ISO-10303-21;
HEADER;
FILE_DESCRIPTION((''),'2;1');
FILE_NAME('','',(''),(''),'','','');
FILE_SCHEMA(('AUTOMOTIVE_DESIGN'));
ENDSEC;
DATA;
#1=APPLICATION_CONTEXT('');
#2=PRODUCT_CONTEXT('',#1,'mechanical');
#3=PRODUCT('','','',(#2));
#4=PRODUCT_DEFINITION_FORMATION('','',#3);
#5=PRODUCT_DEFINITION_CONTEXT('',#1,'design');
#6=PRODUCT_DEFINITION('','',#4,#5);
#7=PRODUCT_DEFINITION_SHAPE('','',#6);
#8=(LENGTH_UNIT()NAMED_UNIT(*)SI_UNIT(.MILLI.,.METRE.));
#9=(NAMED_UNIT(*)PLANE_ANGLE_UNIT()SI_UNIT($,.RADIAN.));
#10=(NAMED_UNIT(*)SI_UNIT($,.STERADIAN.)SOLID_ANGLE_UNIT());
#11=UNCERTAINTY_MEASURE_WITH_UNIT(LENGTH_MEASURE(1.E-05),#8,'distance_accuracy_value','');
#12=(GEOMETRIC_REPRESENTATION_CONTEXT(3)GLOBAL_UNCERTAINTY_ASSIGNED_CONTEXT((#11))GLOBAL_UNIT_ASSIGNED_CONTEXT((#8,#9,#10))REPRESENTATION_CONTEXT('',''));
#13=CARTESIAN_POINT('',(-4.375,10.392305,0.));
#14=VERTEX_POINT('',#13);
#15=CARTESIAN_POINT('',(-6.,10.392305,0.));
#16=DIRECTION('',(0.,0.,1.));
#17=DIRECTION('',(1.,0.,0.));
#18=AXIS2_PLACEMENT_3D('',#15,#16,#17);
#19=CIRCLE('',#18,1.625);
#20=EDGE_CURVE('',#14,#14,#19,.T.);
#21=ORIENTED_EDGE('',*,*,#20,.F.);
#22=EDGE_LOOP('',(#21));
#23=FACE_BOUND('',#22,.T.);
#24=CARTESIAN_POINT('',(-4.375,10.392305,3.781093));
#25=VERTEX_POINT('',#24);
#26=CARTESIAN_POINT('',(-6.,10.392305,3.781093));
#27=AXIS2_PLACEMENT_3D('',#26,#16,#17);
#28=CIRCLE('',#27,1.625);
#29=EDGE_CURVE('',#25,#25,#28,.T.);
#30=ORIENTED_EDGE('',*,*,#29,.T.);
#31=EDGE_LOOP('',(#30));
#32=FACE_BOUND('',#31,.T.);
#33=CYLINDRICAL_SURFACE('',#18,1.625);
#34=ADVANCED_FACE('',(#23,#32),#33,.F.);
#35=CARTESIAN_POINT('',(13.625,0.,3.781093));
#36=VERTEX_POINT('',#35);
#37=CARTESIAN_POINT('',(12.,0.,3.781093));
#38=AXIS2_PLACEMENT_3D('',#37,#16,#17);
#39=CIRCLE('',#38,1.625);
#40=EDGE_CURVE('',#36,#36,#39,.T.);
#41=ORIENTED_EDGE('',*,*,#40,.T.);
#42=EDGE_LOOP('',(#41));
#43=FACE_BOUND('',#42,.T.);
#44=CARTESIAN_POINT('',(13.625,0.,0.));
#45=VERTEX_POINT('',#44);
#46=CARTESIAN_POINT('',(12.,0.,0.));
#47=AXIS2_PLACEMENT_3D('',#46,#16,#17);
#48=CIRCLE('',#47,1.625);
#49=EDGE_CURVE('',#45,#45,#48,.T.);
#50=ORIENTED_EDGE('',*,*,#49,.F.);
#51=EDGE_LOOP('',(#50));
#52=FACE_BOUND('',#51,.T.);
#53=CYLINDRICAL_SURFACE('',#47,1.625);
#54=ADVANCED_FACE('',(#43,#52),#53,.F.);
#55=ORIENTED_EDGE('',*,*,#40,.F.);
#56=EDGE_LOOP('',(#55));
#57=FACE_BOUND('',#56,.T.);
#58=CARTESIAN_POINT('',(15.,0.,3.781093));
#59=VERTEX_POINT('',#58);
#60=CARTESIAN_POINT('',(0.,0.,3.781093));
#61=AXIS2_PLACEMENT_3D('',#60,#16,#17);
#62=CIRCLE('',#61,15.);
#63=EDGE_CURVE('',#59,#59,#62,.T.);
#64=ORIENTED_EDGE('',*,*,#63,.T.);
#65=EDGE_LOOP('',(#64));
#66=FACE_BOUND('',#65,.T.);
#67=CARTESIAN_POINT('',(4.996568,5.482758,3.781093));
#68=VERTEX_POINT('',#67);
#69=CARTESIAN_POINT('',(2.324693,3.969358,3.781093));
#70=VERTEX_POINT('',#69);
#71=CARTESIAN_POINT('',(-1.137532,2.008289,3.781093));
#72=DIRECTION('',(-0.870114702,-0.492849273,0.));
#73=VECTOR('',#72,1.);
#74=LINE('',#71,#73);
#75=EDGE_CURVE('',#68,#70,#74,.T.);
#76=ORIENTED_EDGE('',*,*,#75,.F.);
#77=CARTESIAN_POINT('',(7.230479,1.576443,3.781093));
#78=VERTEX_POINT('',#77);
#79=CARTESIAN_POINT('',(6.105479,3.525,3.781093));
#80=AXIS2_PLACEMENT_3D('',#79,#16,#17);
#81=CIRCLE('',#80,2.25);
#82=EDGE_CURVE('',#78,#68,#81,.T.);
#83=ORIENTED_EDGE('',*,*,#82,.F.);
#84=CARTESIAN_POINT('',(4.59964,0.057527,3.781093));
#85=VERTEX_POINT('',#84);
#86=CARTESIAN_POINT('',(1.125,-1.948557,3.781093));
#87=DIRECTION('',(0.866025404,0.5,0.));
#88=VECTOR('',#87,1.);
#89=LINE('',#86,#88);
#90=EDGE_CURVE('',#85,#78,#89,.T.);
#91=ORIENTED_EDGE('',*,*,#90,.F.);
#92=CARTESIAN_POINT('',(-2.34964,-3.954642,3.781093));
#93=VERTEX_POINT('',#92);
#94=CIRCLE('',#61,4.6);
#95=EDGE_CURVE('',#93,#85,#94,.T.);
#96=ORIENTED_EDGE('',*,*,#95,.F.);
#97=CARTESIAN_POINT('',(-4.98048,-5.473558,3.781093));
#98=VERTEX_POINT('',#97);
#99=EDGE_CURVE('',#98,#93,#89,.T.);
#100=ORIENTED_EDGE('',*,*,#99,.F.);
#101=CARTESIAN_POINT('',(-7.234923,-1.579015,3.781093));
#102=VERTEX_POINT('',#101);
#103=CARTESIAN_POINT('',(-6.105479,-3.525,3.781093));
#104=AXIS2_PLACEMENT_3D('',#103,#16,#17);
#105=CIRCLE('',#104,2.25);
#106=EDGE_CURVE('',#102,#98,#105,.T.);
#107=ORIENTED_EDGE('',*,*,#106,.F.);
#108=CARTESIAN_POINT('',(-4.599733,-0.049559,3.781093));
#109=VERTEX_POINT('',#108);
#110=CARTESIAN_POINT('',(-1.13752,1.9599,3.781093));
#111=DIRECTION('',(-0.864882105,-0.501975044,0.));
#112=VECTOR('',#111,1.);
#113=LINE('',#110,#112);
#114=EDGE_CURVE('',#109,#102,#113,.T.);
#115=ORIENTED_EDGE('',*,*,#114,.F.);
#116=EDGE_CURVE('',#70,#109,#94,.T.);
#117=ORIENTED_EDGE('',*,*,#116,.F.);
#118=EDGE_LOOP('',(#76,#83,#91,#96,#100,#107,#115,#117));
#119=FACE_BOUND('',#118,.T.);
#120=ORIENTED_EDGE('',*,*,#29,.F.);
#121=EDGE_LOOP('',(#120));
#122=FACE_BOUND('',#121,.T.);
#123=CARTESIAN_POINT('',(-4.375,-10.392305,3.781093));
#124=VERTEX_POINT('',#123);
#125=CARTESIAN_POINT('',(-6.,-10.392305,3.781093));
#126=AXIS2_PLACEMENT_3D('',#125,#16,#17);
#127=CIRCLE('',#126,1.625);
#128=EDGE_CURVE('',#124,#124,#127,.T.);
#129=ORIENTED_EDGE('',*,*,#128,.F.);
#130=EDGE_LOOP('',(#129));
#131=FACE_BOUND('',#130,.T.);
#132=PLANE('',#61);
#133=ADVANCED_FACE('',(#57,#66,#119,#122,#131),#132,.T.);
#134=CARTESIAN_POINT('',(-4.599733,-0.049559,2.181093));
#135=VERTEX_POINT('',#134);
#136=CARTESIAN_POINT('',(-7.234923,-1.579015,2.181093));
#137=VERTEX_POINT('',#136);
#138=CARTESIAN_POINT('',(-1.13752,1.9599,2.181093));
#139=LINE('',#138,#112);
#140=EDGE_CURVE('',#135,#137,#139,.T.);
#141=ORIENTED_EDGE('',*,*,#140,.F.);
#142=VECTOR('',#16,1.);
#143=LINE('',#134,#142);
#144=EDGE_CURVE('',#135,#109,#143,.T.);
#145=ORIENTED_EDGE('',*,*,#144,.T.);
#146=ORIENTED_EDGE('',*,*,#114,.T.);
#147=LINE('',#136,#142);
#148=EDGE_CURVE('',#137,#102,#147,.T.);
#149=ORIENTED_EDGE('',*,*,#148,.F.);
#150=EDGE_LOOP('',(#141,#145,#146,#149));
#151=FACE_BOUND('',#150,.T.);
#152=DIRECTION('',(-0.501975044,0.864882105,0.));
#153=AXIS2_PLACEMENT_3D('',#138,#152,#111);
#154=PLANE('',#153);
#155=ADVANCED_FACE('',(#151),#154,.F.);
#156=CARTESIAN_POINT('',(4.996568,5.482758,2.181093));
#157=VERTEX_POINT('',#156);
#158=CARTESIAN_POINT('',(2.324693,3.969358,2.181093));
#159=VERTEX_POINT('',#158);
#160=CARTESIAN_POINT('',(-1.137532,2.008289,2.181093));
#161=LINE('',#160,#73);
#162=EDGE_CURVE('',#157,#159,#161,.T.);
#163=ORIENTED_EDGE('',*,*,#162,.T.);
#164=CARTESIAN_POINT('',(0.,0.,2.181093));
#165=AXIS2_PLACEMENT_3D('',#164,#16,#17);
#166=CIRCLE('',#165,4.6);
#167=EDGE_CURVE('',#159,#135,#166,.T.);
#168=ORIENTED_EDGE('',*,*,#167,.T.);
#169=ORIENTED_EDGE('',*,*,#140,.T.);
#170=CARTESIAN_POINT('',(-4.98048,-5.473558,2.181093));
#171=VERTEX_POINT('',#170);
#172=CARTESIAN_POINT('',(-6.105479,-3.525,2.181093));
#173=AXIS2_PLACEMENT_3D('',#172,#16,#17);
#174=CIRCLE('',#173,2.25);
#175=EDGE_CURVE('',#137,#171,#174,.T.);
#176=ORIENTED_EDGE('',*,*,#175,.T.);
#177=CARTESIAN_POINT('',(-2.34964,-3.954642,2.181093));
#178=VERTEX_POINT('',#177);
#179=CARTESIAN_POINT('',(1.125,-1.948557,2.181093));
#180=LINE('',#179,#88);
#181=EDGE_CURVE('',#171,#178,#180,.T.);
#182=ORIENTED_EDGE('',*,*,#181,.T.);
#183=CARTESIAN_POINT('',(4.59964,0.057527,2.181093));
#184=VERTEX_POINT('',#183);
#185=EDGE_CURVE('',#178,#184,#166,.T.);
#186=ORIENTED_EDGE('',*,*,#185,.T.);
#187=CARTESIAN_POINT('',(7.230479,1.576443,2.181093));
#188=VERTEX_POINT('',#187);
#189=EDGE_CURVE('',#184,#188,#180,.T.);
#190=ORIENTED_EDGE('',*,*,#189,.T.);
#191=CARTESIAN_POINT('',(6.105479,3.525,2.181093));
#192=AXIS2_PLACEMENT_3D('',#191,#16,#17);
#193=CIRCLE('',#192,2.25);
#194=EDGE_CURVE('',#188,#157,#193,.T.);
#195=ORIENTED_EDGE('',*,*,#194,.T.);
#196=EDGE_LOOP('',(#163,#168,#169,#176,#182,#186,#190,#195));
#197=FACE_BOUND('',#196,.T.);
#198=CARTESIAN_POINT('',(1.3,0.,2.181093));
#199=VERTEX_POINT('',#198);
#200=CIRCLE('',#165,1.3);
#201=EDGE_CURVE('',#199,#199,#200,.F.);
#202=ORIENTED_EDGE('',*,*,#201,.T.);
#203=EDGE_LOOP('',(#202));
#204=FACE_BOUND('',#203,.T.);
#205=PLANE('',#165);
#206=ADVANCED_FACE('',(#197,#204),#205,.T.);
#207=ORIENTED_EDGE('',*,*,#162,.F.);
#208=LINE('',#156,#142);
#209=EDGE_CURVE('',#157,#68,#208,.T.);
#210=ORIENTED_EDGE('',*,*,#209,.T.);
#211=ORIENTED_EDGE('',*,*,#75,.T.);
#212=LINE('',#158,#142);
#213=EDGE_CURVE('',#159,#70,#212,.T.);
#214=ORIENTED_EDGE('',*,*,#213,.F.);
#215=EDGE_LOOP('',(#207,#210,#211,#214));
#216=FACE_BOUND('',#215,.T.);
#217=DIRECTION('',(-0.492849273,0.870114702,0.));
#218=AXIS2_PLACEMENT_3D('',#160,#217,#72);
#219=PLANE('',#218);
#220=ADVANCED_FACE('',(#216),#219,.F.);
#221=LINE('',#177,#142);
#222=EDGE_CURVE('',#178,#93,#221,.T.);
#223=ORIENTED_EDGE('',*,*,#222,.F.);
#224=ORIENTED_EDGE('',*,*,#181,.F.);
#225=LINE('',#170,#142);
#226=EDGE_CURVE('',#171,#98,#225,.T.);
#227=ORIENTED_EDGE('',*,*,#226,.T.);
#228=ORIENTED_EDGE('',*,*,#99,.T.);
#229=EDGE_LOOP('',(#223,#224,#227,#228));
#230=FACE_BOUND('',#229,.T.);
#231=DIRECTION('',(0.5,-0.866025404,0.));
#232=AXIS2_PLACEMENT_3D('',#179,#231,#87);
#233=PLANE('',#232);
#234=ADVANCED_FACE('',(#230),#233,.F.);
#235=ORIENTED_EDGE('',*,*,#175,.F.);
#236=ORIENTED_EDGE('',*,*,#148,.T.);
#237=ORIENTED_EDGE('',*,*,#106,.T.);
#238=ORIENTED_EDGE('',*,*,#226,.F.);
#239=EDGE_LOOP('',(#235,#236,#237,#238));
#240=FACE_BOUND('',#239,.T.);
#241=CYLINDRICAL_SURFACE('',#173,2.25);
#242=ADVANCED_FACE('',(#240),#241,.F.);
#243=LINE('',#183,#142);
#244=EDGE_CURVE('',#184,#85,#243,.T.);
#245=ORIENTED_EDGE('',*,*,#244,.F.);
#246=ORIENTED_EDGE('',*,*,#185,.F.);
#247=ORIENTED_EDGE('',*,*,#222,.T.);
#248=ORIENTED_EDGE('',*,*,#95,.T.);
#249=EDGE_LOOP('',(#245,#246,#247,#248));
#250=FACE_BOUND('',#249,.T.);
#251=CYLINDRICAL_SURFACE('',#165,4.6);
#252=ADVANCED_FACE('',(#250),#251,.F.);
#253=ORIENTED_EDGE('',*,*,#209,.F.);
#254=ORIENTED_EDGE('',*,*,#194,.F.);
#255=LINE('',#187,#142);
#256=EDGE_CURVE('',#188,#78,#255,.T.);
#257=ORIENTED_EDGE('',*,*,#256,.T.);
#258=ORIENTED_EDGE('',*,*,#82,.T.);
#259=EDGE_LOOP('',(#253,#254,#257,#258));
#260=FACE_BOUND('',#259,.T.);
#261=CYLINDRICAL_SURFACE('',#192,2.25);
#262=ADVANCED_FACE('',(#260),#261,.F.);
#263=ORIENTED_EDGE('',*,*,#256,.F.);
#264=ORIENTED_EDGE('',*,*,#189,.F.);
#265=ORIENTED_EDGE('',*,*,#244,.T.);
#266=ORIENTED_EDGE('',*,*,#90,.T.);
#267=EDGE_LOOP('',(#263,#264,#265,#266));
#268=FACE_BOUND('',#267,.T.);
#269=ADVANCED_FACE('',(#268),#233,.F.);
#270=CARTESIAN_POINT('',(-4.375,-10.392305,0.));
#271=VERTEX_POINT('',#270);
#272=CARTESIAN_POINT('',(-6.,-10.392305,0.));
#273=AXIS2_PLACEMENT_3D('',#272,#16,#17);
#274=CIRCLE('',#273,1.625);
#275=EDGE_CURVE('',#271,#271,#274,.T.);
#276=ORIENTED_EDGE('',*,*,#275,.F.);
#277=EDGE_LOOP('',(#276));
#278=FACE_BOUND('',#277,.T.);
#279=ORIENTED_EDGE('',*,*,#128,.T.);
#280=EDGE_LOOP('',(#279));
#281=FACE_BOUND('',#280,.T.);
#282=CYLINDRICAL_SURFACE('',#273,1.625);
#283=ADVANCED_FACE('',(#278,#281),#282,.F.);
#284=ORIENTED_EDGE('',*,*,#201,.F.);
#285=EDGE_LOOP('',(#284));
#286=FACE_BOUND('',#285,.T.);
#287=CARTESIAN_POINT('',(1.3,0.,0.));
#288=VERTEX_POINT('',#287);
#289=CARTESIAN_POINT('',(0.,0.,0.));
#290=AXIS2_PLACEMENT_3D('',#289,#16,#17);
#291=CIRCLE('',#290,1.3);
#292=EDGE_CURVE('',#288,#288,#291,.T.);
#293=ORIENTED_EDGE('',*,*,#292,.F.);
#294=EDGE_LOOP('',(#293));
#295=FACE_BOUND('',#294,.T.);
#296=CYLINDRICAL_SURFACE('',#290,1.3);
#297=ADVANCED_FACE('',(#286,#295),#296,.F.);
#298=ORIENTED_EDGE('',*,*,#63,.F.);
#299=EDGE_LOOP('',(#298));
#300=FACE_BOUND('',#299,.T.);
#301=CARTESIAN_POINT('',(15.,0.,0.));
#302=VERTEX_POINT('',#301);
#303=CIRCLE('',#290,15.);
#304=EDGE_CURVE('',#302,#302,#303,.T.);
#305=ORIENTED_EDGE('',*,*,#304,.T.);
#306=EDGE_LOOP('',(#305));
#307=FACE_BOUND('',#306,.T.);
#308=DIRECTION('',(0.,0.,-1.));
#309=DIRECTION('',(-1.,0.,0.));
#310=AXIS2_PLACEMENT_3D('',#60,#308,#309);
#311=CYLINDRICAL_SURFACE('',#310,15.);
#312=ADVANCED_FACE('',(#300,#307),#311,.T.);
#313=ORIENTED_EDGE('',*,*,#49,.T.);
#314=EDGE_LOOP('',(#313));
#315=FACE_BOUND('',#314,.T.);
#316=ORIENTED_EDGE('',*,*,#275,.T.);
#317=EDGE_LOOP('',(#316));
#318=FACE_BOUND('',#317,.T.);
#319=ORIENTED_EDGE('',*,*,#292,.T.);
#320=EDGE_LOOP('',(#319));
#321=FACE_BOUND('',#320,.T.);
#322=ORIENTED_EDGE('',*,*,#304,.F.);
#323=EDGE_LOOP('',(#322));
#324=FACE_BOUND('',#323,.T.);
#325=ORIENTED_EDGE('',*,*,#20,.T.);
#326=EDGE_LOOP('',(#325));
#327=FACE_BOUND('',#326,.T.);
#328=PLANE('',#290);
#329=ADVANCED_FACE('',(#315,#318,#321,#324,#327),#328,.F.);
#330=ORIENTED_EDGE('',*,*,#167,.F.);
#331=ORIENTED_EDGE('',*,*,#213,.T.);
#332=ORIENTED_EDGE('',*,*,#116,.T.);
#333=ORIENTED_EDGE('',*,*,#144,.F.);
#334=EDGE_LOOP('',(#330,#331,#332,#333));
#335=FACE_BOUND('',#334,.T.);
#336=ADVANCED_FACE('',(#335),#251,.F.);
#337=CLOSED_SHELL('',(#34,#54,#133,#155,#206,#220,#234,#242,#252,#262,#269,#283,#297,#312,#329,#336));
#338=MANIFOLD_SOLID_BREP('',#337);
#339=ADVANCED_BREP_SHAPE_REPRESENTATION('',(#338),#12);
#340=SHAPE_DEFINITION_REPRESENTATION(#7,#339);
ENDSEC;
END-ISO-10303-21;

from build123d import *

# Parameters (mm, degrees)
SCHIZZO1_R                   = 15
ESTRUSIONE_ESTRUSIONE1_DEPTH = 3.781092502
SCHIZZO2_R                   = 1.625
SCHIZZO2_R_2                 = 1.3
TAGLIO_ESTRUSIONE1_DEPTH     = 4.781092502
SCHIZZO3_R                   = 1.3
TAGLIO_ESTRUSIONE2_DEPTH     = 1.6


with BuildPart() as part:
    # Schizzo1 → Estrusione-Estrusione1 (new body)
    with BuildSketch(Plane.XY):
        Circle(SCHIZZO1_R)
    extrude(amount=ESTRUSIONE_ESTRUSIONE1_DEPTH)

    # Schizzo2 → Taglio-Estrusione1 (cut, through all)
    with BuildSketch(Plane.XY.offset(3.781092502)):
        with Locations((12, 0)):
            Circle(SCHIZZO2_R)
        with Locations((-6, 10.392304845)):
            Circle(SCHIZZO2_R)
        with Locations((-6, -10.392304845)):
            Circle(SCHIZZO2_R)
        Circle(SCHIZZO2_R_2)
    extrude(amount=-TAGLIO_ESTRUSIONE1_DEPTH, mode=Mode.SUBTRACT)

    # Schizzo3 → Taglio-Estrusione2 (cut)
    with BuildSketch(Plane.XY.offset(3.781092502)):
        with BuildLine():
            Line((2.324693054, 3.969357908), (-7.234922947, -1.579015265))
            ThreePointArc((-7.234922947, -1.579015265), (-8.052751546, -4.652222254), (-4.980479907, -5.473557626))
            Line((-4.980479907, -5.473557626), (7.230479097, 1.576442841))
            ThreePointArc((7.230479097, 1.576442841), (8.058653282, 4.641964906), (4.996568233, 5.482758079))
            Line((4.996568233, 5.482758079), (2.324693054, 3.969357908))
        make_face()
        Circle(SCHIZZO3_R, mode=Mode.SUBTRACT)
        with BuildLine():
            Line((-4.599733028, -0.049558742), (-1.133047311, 1.962495511))
            Line((-1.133047311, 1.962495511), (-2.3, 3.983716857))
            ThreePointArc((-2.3, 3.983716857), (-3.996048921, 2.278506752), (-4.599733028, -0.049558742))
        make_face()
        with BuildLine():
            Line((-2.3, 3.983716857), (-1.133047311, 1.962495511))
            Line((-1.133047311, 1.962495511), (2.324693054, 3.969357908))
            ThreePointArc((2.324693054, 3.969357908), (0.014282212, 4.599977828), (-2.3, 3.983716857))
        make_face()
        with BuildLine():
            ThreePointArc((-2.349640269, -3.954641653), (2.3, -3.983716857), (4.599640269, 0.057527336))
            Line((4.599640269, 0.057527336), (-2.349640269, -3.954641653))
        make_face()
    extrude(amount=-TAGLIO_ESTRUSIONE2_DEPTH, mode=Mode.SUBTRACT)


solid = part.part
